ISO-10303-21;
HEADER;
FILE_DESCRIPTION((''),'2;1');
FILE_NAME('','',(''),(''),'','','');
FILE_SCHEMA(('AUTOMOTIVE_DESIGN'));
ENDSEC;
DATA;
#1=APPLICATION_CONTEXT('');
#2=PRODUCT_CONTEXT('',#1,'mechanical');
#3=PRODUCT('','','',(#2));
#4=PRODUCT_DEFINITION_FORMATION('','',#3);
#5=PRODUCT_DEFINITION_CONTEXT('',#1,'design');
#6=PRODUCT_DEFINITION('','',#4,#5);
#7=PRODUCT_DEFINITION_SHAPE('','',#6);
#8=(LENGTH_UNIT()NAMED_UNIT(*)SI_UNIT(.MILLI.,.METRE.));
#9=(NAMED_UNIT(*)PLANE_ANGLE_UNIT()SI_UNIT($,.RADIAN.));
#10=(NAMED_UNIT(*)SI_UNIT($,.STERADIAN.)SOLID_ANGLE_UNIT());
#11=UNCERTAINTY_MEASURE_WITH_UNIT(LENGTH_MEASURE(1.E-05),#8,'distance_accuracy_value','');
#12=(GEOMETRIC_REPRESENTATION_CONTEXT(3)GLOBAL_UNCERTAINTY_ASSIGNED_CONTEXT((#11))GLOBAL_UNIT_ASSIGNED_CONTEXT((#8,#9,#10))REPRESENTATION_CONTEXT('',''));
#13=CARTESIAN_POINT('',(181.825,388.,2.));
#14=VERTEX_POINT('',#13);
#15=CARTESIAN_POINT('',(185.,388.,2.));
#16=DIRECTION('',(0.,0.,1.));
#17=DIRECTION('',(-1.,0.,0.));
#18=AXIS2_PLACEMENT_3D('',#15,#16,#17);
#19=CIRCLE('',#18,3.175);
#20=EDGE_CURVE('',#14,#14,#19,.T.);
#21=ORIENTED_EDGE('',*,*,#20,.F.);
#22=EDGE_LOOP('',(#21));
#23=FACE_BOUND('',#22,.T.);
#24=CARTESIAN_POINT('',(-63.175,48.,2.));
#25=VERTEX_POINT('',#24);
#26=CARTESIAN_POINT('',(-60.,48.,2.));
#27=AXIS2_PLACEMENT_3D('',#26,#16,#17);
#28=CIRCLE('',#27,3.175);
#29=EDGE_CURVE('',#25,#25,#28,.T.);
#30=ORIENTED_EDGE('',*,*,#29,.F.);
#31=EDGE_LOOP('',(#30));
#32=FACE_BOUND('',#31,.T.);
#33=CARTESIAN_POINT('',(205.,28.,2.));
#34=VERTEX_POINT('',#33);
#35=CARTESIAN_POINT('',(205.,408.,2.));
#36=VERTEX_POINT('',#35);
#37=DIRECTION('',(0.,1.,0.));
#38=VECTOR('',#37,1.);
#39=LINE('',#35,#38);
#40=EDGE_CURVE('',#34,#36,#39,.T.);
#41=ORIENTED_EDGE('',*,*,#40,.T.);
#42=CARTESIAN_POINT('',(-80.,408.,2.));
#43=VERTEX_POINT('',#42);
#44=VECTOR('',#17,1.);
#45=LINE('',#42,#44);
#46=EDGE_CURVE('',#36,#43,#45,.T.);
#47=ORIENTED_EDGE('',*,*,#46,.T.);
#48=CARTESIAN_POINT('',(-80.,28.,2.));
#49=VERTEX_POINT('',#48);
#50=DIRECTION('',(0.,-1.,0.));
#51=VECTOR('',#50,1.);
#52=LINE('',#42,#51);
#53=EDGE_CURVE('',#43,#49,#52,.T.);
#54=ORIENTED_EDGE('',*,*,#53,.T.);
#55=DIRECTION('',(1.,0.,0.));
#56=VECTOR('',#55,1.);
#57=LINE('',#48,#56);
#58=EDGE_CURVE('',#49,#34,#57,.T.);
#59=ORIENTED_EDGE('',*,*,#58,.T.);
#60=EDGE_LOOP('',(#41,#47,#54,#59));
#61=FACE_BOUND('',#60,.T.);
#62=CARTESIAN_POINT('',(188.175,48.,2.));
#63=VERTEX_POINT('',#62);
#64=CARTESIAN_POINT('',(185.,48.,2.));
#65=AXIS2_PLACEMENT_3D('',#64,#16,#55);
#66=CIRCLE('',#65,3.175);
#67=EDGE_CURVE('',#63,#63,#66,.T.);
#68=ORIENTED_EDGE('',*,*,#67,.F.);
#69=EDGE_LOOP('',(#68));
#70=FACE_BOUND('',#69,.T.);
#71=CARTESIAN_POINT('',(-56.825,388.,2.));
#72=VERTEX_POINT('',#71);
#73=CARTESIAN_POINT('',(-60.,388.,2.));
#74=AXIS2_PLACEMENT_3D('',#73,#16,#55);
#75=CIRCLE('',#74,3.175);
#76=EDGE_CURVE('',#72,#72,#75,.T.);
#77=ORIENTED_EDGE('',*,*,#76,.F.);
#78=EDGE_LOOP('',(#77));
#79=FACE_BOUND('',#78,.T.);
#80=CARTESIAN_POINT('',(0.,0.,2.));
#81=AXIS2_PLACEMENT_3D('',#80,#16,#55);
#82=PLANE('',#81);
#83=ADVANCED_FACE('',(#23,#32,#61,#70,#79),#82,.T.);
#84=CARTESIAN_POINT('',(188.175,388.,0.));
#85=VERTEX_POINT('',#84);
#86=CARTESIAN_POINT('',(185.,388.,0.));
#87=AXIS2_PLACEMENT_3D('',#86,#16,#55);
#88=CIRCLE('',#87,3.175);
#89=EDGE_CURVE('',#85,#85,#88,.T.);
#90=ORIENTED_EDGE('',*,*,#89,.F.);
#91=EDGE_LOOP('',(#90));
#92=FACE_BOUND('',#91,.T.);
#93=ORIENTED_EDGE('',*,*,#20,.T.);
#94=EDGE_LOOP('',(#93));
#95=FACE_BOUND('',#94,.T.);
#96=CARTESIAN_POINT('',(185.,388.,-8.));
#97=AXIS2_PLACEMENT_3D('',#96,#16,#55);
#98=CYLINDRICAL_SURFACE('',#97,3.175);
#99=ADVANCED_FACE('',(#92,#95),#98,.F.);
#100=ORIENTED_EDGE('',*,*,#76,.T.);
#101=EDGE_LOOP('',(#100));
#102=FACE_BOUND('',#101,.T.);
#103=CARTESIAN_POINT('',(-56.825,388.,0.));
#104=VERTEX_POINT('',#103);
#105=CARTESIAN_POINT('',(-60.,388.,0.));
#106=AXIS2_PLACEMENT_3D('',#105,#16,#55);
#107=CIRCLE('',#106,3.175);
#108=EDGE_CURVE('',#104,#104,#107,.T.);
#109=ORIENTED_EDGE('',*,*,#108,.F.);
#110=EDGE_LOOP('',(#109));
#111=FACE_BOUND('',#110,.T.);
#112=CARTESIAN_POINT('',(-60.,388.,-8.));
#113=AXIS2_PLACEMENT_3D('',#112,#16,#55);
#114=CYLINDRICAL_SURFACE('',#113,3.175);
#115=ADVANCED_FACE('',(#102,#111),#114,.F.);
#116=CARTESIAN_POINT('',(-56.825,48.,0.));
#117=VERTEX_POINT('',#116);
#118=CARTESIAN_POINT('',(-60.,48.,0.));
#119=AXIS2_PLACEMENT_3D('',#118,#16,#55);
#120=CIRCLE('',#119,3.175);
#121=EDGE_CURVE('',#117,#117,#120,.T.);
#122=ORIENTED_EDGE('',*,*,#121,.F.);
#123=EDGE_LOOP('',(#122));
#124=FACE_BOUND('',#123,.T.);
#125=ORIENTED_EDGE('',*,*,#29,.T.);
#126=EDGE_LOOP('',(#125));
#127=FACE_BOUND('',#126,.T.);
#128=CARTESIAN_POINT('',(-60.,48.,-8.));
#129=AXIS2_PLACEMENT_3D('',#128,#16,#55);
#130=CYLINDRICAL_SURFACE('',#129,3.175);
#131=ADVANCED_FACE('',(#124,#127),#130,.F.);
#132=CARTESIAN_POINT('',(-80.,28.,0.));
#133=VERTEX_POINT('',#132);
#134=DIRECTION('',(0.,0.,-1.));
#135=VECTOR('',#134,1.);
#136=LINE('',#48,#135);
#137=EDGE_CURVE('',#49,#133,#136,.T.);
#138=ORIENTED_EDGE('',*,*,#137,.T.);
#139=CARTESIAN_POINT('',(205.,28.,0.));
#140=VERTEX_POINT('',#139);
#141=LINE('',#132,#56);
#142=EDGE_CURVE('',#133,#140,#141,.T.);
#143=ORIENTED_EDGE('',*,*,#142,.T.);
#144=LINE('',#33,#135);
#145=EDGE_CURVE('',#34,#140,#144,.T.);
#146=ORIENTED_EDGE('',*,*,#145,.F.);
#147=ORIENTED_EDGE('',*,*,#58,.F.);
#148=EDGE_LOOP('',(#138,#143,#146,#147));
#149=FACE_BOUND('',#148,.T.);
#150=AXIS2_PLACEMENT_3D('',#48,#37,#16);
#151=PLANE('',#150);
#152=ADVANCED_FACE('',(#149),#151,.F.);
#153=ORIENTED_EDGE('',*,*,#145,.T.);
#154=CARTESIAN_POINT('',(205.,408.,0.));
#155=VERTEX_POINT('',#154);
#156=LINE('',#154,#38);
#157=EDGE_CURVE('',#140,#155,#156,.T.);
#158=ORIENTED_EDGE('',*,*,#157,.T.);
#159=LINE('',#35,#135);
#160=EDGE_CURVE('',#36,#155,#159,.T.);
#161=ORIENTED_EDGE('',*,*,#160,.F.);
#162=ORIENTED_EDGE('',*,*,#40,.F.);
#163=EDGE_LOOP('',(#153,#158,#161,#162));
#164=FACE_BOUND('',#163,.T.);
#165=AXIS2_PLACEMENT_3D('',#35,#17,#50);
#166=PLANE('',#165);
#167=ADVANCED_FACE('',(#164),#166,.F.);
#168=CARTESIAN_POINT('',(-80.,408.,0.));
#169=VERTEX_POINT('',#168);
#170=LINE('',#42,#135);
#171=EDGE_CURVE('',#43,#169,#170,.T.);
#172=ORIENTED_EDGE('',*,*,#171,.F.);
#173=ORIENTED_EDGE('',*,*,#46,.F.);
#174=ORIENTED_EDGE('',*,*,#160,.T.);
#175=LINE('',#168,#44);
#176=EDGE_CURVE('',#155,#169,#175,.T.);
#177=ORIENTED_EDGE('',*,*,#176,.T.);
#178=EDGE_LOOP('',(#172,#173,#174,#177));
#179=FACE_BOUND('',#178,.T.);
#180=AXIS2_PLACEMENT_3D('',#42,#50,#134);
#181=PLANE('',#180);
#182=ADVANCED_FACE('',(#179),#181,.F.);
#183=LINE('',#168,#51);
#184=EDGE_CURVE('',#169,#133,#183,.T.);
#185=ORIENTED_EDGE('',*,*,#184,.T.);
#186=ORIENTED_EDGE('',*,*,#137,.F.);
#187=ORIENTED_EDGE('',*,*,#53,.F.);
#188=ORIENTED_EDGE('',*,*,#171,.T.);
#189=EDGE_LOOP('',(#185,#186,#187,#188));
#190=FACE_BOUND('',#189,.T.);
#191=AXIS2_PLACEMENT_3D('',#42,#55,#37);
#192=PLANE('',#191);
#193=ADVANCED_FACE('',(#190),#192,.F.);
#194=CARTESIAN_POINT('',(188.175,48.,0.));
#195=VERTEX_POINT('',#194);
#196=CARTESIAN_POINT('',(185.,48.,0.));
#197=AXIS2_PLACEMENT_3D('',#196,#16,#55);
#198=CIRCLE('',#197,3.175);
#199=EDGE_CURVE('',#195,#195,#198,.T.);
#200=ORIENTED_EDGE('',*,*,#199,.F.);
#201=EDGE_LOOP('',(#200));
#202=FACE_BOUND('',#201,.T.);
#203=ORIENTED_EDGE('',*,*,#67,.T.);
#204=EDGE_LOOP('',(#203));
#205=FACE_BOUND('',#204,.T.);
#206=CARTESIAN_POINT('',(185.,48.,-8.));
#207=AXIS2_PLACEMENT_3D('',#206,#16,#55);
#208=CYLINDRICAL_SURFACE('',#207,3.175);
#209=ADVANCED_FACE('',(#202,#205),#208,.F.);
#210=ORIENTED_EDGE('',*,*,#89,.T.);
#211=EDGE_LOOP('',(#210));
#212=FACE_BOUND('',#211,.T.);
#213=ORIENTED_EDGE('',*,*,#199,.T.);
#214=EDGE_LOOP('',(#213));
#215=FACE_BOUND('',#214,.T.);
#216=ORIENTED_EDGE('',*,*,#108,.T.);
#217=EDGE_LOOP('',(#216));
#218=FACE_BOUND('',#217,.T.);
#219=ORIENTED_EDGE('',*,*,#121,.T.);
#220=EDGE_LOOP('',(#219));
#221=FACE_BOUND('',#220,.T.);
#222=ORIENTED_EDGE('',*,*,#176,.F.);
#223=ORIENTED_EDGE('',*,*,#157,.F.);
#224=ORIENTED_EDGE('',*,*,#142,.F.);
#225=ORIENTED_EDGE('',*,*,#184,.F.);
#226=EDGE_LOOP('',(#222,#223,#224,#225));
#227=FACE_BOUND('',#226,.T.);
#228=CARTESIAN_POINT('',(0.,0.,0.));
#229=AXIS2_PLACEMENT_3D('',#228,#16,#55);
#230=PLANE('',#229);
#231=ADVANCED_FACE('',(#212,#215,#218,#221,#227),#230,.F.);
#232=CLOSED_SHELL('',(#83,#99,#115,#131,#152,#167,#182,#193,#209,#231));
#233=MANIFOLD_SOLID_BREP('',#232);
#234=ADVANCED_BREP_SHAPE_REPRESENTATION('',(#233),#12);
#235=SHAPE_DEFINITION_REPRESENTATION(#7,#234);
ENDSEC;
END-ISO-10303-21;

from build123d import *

# Parameters (mm, degrees)
CROQUIS1_W              = 285
CROQUIS1_H              = 380
SALIENTE_EXTRUIR1_DEPTH = 2
CROQUIS2_R              = 3.175
CORTAR_EXTRUIR1_DEPTH   = 10


with BuildPart() as part:
    # Croquis1 → Saliente-Extruir1 (new body)
    with BuildSketch(Plane.XY):
        with Locations((62.5, 218)):
            Rectangle(CROQUIS1_W, CROQUIS1_H)
    extrude(amount=SALIENTE_EXTRUIR1_DEPTH)

    # Croquis2 → Cortar-Extruir1 (cut)
    with BuildSketch(Plane.XY.offset(2)):
        with Locations((-60, 388)):
            Circle(CROQUIS2_R)
        with Locations((185, 388)):
            Circle(CROQUIS2_R)
        with Locations((185, 48)):
            Circle(CROQUIS2_R)
        with Locations((-60, 48)):
            Circle(CROQUIS2_R)
    extrude(amount=-CORTAR_EXTRUIR1_DEPTH, mode=Mode.SUBTRACT)


solid = part.part
